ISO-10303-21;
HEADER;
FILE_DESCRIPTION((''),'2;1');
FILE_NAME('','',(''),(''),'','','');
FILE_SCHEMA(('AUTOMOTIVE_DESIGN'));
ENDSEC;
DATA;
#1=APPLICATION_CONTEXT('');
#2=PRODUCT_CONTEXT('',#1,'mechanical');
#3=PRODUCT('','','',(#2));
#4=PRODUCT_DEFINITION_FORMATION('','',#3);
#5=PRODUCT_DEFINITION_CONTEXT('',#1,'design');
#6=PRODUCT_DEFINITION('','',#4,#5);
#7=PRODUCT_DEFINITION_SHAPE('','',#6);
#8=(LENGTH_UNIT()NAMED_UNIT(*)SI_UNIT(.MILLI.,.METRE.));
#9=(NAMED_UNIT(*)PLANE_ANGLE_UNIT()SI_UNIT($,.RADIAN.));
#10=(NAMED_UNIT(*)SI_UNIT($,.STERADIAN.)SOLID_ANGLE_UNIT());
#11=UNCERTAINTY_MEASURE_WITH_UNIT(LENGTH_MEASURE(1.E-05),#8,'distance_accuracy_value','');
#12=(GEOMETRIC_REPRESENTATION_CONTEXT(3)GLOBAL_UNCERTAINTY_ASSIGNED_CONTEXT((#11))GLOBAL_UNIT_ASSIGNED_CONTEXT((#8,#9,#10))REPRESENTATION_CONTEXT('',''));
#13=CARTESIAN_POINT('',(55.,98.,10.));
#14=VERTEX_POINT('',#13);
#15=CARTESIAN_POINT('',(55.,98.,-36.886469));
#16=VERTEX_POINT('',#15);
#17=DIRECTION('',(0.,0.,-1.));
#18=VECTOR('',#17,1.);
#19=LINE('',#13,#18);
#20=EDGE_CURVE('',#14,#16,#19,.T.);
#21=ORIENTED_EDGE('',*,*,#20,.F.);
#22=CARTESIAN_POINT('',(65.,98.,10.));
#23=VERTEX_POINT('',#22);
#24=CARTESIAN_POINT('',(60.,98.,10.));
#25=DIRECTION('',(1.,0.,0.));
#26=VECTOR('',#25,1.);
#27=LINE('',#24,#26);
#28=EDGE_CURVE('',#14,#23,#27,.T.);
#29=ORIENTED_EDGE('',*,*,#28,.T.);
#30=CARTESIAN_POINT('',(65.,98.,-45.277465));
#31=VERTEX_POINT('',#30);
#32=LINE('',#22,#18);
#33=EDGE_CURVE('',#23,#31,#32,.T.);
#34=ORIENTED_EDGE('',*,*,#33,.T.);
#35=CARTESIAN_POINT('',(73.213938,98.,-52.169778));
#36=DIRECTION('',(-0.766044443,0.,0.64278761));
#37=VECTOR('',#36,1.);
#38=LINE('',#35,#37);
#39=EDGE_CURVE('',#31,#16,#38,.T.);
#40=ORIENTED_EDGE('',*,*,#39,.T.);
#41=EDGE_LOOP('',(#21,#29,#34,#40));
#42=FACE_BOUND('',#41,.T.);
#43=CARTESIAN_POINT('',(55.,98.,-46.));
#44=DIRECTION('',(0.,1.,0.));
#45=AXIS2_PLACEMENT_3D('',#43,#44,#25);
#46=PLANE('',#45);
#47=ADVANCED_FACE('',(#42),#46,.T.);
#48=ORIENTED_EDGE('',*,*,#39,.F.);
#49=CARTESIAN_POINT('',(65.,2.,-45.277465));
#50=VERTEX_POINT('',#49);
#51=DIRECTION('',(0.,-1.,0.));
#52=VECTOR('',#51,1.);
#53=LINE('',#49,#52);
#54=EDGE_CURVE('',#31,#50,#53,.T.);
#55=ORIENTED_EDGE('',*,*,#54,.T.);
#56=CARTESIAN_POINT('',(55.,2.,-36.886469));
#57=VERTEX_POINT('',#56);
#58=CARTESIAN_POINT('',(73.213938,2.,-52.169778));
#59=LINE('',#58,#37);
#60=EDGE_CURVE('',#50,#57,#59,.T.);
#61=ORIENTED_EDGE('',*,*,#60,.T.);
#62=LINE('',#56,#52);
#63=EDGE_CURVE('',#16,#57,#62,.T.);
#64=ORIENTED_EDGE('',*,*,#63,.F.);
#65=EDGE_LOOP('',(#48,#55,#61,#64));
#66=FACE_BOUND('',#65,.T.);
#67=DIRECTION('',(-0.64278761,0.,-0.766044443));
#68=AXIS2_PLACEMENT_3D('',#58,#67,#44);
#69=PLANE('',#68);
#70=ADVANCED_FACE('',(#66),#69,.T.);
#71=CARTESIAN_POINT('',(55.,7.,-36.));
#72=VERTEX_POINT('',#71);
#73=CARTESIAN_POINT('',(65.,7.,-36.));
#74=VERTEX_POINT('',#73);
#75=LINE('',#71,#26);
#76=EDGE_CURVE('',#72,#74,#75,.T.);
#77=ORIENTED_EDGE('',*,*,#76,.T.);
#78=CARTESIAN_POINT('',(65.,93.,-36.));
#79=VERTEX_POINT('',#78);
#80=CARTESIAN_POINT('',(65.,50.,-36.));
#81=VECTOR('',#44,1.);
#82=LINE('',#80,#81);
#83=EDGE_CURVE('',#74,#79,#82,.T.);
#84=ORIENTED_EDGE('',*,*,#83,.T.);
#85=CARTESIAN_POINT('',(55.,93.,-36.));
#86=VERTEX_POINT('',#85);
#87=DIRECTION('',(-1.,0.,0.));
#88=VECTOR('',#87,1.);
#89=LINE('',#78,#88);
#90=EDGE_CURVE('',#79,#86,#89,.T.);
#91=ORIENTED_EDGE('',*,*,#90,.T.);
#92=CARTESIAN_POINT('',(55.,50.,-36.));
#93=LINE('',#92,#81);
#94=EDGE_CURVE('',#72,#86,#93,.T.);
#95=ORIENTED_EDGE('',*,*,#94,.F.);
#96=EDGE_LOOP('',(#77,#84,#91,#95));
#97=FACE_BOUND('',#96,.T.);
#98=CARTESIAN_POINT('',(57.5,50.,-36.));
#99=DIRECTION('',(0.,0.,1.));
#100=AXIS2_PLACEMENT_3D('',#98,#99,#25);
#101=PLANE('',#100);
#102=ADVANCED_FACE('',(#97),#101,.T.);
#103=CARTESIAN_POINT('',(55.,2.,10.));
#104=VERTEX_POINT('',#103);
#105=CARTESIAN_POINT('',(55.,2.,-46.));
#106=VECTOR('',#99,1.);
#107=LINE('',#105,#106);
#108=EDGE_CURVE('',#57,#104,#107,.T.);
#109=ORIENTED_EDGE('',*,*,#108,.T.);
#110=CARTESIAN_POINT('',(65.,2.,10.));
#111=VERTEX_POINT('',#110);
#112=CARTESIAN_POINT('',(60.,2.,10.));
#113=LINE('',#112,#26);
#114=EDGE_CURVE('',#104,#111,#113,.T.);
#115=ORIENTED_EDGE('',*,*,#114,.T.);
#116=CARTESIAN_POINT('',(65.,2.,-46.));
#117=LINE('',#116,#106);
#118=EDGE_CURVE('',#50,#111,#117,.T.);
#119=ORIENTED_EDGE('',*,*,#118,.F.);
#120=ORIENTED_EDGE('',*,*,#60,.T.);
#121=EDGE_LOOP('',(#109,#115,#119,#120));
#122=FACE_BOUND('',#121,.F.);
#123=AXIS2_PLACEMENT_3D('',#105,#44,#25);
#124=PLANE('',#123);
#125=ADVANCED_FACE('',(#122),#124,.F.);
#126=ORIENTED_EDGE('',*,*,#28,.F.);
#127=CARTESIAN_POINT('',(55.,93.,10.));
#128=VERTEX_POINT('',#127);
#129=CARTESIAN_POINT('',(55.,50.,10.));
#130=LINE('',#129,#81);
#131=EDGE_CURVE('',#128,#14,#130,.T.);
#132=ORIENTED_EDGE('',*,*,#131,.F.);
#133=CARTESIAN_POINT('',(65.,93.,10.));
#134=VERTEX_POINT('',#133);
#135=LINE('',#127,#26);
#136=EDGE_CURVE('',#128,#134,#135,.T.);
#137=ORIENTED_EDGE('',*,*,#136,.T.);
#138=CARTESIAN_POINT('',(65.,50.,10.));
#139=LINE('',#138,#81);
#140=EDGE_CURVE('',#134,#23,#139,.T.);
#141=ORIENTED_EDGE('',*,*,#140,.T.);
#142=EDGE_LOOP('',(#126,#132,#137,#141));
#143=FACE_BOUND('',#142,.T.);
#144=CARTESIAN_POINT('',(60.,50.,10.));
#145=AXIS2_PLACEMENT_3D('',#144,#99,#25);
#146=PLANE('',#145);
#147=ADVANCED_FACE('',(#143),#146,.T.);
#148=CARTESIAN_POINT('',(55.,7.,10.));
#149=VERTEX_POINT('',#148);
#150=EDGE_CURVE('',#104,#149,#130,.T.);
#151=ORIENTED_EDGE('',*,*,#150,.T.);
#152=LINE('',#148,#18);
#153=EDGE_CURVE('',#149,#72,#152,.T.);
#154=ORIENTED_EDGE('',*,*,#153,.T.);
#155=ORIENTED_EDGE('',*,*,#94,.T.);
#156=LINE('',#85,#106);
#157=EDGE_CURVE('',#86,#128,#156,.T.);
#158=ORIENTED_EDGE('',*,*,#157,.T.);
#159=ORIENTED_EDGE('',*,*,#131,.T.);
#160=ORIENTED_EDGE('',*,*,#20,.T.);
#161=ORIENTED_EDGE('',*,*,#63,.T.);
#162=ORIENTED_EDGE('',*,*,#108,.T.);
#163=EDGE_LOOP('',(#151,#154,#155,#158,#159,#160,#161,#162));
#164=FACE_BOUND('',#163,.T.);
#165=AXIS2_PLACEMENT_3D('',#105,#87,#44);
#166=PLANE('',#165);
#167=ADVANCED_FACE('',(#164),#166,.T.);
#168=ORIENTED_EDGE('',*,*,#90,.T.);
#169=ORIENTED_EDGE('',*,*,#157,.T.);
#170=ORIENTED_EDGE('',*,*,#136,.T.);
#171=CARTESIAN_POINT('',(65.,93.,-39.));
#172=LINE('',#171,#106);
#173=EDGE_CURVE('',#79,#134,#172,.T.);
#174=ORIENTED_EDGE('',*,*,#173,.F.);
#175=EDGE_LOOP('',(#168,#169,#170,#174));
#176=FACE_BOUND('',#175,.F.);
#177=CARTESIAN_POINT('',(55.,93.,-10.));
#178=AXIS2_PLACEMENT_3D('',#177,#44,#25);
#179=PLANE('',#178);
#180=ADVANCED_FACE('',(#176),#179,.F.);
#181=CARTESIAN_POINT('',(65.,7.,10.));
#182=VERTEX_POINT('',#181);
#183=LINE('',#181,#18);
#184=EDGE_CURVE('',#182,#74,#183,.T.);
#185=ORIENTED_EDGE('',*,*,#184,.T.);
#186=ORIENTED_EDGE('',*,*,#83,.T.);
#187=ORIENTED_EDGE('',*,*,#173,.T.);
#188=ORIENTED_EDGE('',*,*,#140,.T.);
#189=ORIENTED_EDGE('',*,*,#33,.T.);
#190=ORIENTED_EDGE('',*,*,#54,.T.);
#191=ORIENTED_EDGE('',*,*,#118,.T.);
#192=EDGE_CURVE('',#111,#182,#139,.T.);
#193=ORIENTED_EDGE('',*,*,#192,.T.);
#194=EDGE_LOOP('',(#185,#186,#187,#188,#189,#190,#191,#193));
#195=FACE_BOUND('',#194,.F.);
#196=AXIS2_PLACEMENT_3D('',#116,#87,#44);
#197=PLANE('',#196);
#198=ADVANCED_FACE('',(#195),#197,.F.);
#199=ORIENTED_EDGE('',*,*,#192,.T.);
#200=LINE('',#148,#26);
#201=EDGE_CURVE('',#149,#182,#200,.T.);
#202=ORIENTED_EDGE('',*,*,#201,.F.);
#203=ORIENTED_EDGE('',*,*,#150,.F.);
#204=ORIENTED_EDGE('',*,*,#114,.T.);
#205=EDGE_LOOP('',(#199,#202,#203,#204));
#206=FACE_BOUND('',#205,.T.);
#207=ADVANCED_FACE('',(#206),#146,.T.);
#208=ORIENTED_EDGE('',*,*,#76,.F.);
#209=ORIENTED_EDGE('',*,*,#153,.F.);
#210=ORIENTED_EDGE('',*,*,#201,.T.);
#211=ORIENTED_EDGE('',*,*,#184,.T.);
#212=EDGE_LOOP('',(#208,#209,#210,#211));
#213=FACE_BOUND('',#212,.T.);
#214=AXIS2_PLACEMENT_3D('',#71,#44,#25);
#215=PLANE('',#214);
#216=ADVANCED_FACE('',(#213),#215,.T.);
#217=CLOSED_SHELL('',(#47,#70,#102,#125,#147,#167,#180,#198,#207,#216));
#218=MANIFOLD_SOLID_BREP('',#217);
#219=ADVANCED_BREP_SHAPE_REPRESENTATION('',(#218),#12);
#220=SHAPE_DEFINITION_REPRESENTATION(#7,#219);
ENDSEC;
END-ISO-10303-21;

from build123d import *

# Parameters (mm, degrees)
BOX016_W               = 5
BOX016_H               = 96
BOX016_DEPTH           = 60
BOX016_PLACEMENT_ANGLE = 310
BOX015_W               = 5
BOX015_H               = 96
BOX015_DEPTH           = 60
BOX015_PLACEMENT_ANGLE = 310
BOX014_W               = 5
BOX014_H               = 86
BOX014_DEPTH           = 2
BOX011_W               = 5
BOX011_H               = 86
BOX011_DEPTH           = 24
BOX006_W               = 10
BOX006_H               = 86
BOX006_DEPTH           = 20
BOX005_W               = 5
BOX005_H               = 86
BOX005_DEPTH           = 49
BOX003_W               = 10
BOX003_H               = 96
BOX003_DEPTH           = 49
BOX007_W               = 10
BOX007_H               = 96
BOX007_DEPTH           = 10


with BuildPart() as cube016:
    # Box016 → Box016 (new body)
    with BuildSketch(Plane.XY):
        with Locations((2.5, 48)):
            Rectangle(BOX016_W, BOX016_H)
    extrude(amount=BOX016_DEPTH)


with BuildPart() as cube016_1:
    # Box016 placement: moved
    add(cube016.part.moved(Location((70, 2, -56))).rotate(Axis((70, 2, -56), (0, 1, 0)), BOX016_PLACEMENT_ANGLE))


with BuildPart() as cube015:
    # Box015 → Box015 (new body)
    with BuildSketch(Plane.XY):
        with Locations((2.5, 48)):
            Rectangle(BOX015_W, BOX015_H)
    extrude(amount=BOX015_DEPTH)


with BuildPart() as cube015_1:
    # Box015 placement: moved
    add(cube015.part.moved(Location((70, 2, -59))).rotate(Axis((70, 2, -59), (0, 1, 0)), BOX015_PLACEMENT_ANGLE))


with BuildPart() as cube014:
    # Box014 → Box014 (new body)
    with BuildSketch(Plane(origin=(55, 7, -36), x_dir=(1, 0, 0), z_dir=(0, 0, 1))):
        with Locations((2.5, 43)):
            Rectangle(BOX014_W, BOX014_H)
    extrude(amount=BOX014_DEPTH)


with BuildPart() as cube011:
    # Box011 → Box011 (new body)
    with BuildSketch(Plane(origin=(40, 7, -34), x_dir=(1, 0, 0), z_dir=(0, 0, 1))):
        with Locations((2.5, 43)):
            Rectangle(BOX011_W, BOX011_H)
    extrude(amount=BOX011_DEPTH)


with BuildPart() as cube006:
    # Box006 → Box006 (new body)
    with BuildSketch(Plane(origin=(40, 7, -10), x_dir=(1, 0, 0), z_dir=(0, 0, 1))):
        with Locations((5, 43)):
            Rectangle(BOX006_W, BOX006_H)
    extrude(amount=BOX006_DEPTH)


with BuildPart() as cube005:
    # Box005 → Box005 (new body)
    with BuildSketch(Plane(origin=(45, 7, -39), x_dir=(1, 0, 0), z_dir=(0, 0, 1))):
        with Locations((2.5, 43)):
            Rectangle(BOX005_W, BOX005_H)
    extrude(amount=BOX005_DEPTH)


with BuildPart() as cut007:
    # Box003 → Box003 (new body)
    with BuildSketch(Plane(origin=(40, 2, -39), x_dir=(1, 0, 0), z_dir=(0, 0, 1))):
        with Locations((5, 48)):
            Rectangle(BOX003_W, BOX003_H)
    extrude(amount=BOX003_DEPTH)

    # Cut: cut Cube005
    add(cube005.part, mode=Mode.SUBTRACT)

    # Cut001: cut Cube006
    add(cube006.part, mode=Mode.SUBTRACT)

    # Cut004: cut Cube011
    add(cube011.part, mode=Mode.SUBTRACT)


with BuildPart() as cut007_1:
    # Cut004 placement: moved
    add(cut007.part.moved(Location((15, 0, 0))))

    # Cut007: cut Cube014
    add(cube014.part, mode=Mode.SUBTRACT)


with BuildPart() as cut009:
    # Box007 → Box007 (new body)
    with BuildSketch(Plane(origin=(55, 2, -46), x_dir=(1, 0, 0), z_dir=(0, 0, 1))):
        with Locations((5, 48)):
            Rectangle(BOX007_W, BOX007_H)
    extrude(amount=BOX007_DEPTH)

    # Fusion: union Cut007
    add(cut007_1.part)

    # Cut008: cut Cube015
    add(cube015_1.part, mode=Mode.SUBTRACT)

    # Cut009: cut Cube016
    add(cube016_1.part, mode=Mode.SUBTRACT)


solid = cut009.part
